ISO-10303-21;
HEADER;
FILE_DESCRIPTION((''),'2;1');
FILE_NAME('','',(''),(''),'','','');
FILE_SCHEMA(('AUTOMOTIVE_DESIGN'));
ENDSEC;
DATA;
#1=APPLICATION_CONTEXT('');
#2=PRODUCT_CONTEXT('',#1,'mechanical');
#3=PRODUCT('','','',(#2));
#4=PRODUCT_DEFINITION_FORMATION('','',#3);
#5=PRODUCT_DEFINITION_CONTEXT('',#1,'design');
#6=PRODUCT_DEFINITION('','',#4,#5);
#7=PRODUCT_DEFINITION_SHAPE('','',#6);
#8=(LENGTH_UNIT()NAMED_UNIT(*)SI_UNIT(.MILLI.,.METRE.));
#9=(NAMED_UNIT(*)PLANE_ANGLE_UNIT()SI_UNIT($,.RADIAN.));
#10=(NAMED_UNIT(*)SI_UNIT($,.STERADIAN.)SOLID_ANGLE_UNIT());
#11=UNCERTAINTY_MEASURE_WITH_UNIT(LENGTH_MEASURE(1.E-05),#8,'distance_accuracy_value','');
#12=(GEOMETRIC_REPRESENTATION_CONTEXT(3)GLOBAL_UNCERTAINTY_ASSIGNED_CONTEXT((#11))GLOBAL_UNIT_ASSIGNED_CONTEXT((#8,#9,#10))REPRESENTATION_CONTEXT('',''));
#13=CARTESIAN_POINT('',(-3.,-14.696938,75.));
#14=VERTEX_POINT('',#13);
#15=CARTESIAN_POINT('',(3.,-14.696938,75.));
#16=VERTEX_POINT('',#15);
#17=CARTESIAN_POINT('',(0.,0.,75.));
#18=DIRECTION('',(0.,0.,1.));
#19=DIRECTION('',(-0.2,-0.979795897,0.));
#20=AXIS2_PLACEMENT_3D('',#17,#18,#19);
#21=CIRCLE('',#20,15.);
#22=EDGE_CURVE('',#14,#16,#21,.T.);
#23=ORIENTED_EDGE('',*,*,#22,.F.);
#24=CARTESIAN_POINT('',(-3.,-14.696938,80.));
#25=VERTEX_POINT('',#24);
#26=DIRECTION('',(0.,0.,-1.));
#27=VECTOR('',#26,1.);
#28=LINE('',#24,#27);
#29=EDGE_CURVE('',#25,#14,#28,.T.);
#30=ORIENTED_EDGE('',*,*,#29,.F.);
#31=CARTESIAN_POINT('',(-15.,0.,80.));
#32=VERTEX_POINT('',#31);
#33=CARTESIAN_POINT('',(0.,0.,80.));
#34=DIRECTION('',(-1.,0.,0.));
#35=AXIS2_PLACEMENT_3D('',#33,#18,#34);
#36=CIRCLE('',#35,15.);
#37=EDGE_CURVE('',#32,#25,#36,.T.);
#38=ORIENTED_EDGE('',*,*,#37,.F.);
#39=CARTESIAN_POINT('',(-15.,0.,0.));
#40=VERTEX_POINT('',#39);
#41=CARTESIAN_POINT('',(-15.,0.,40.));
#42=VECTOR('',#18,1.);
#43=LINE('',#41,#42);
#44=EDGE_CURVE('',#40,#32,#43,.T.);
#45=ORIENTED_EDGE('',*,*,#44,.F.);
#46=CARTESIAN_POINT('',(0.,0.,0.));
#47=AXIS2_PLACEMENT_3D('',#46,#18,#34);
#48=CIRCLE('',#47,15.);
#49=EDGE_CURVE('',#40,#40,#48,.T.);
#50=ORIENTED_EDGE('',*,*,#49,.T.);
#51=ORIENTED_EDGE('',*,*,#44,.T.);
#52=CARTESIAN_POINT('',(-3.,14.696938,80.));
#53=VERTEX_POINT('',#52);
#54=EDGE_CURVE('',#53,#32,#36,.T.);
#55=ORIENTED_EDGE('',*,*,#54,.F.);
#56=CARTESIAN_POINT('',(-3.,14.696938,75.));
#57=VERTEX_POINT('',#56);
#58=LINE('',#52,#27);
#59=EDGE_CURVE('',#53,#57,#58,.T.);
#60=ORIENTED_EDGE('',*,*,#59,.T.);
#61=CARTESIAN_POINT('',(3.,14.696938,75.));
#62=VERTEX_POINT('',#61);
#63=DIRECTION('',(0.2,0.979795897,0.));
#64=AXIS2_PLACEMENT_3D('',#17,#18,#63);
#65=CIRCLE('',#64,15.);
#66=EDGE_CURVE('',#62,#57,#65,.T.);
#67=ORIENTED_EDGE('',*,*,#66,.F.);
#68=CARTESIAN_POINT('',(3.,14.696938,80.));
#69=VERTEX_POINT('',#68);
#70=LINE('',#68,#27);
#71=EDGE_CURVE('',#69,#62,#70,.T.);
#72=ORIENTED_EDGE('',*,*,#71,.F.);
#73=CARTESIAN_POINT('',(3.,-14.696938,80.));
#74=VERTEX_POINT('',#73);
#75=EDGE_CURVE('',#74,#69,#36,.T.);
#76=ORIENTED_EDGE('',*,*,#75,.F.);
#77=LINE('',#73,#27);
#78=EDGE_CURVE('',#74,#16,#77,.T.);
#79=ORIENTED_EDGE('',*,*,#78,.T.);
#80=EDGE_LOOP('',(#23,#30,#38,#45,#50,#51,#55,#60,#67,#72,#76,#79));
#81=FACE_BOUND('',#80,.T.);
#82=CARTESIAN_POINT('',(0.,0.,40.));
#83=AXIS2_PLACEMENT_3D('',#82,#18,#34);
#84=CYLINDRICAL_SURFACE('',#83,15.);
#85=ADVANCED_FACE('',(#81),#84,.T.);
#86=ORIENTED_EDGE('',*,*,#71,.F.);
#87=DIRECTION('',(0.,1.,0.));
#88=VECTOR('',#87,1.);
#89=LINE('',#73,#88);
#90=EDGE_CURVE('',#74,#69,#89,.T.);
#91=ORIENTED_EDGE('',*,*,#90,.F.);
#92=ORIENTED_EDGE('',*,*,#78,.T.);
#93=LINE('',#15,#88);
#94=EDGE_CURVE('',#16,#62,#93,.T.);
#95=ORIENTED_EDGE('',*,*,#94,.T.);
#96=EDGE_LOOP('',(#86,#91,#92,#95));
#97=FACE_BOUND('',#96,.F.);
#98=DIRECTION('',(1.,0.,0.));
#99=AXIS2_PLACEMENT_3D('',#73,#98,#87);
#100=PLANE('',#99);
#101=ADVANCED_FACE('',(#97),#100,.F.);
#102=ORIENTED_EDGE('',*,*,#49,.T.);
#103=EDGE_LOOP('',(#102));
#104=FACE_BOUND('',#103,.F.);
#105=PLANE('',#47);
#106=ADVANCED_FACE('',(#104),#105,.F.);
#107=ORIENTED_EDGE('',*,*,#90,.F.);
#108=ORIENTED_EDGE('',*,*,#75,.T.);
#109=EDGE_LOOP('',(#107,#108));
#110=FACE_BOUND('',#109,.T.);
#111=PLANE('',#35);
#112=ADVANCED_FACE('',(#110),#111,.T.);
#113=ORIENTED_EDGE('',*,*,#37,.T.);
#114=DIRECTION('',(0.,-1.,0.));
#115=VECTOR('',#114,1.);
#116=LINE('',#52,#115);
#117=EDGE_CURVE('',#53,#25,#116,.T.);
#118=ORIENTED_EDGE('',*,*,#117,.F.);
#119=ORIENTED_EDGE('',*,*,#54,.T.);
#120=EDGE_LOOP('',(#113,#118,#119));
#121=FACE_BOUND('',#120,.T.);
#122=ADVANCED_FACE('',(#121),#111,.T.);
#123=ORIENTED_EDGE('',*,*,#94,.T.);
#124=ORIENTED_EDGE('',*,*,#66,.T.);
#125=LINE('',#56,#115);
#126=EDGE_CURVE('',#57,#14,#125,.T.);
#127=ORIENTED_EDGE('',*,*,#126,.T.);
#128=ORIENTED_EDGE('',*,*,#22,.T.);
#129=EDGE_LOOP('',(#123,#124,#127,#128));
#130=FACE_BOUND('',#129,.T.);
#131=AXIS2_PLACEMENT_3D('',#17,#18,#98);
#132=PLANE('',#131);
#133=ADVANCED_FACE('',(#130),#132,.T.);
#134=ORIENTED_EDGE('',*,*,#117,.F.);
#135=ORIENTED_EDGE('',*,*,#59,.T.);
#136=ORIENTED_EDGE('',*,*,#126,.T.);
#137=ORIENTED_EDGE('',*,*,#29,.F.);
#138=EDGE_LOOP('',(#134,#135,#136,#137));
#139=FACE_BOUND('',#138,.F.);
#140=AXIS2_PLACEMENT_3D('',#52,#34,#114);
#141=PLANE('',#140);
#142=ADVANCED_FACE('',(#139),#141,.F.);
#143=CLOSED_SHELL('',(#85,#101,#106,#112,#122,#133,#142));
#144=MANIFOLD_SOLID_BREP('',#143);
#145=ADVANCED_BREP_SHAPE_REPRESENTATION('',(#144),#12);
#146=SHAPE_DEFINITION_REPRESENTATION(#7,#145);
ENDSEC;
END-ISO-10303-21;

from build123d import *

# Parameters (mm, degrees)
F0_W     = 15
F0_H     = 80
F3_DEPTH = 5


with BuildPart() as f1:
    # F0 (on Front) → F1 (revolve)
    with BuildSketch(Plane.XZ):
        with Locations((-7.5, 40)):
            Rectangle(F0_W, F0_H)
    revolve(axis=Axis((0, 0, 40), (0, 0, 1)))

    # F2 (on face) → F3 (cut)
    with BuildSketch(Plane.XY.offset(80)):
        with BuildLine():
            ThreePointArc((3, 14.6969384567), (0, 15), (-3, 14.6969384567))
            Line((-3, 14.6969384567), (-3, -14.6969384567))
            ThreePointArc((-3, -14.6969384567), (0, -15), (3, -14.6969384567))
            Line((3, -14.6969384567), (3, 14.6969384567))
        make_face()
    extrude(amount=-F3_DEPTH, mode=Mode.SUBTRACT)


solid = f1.part
